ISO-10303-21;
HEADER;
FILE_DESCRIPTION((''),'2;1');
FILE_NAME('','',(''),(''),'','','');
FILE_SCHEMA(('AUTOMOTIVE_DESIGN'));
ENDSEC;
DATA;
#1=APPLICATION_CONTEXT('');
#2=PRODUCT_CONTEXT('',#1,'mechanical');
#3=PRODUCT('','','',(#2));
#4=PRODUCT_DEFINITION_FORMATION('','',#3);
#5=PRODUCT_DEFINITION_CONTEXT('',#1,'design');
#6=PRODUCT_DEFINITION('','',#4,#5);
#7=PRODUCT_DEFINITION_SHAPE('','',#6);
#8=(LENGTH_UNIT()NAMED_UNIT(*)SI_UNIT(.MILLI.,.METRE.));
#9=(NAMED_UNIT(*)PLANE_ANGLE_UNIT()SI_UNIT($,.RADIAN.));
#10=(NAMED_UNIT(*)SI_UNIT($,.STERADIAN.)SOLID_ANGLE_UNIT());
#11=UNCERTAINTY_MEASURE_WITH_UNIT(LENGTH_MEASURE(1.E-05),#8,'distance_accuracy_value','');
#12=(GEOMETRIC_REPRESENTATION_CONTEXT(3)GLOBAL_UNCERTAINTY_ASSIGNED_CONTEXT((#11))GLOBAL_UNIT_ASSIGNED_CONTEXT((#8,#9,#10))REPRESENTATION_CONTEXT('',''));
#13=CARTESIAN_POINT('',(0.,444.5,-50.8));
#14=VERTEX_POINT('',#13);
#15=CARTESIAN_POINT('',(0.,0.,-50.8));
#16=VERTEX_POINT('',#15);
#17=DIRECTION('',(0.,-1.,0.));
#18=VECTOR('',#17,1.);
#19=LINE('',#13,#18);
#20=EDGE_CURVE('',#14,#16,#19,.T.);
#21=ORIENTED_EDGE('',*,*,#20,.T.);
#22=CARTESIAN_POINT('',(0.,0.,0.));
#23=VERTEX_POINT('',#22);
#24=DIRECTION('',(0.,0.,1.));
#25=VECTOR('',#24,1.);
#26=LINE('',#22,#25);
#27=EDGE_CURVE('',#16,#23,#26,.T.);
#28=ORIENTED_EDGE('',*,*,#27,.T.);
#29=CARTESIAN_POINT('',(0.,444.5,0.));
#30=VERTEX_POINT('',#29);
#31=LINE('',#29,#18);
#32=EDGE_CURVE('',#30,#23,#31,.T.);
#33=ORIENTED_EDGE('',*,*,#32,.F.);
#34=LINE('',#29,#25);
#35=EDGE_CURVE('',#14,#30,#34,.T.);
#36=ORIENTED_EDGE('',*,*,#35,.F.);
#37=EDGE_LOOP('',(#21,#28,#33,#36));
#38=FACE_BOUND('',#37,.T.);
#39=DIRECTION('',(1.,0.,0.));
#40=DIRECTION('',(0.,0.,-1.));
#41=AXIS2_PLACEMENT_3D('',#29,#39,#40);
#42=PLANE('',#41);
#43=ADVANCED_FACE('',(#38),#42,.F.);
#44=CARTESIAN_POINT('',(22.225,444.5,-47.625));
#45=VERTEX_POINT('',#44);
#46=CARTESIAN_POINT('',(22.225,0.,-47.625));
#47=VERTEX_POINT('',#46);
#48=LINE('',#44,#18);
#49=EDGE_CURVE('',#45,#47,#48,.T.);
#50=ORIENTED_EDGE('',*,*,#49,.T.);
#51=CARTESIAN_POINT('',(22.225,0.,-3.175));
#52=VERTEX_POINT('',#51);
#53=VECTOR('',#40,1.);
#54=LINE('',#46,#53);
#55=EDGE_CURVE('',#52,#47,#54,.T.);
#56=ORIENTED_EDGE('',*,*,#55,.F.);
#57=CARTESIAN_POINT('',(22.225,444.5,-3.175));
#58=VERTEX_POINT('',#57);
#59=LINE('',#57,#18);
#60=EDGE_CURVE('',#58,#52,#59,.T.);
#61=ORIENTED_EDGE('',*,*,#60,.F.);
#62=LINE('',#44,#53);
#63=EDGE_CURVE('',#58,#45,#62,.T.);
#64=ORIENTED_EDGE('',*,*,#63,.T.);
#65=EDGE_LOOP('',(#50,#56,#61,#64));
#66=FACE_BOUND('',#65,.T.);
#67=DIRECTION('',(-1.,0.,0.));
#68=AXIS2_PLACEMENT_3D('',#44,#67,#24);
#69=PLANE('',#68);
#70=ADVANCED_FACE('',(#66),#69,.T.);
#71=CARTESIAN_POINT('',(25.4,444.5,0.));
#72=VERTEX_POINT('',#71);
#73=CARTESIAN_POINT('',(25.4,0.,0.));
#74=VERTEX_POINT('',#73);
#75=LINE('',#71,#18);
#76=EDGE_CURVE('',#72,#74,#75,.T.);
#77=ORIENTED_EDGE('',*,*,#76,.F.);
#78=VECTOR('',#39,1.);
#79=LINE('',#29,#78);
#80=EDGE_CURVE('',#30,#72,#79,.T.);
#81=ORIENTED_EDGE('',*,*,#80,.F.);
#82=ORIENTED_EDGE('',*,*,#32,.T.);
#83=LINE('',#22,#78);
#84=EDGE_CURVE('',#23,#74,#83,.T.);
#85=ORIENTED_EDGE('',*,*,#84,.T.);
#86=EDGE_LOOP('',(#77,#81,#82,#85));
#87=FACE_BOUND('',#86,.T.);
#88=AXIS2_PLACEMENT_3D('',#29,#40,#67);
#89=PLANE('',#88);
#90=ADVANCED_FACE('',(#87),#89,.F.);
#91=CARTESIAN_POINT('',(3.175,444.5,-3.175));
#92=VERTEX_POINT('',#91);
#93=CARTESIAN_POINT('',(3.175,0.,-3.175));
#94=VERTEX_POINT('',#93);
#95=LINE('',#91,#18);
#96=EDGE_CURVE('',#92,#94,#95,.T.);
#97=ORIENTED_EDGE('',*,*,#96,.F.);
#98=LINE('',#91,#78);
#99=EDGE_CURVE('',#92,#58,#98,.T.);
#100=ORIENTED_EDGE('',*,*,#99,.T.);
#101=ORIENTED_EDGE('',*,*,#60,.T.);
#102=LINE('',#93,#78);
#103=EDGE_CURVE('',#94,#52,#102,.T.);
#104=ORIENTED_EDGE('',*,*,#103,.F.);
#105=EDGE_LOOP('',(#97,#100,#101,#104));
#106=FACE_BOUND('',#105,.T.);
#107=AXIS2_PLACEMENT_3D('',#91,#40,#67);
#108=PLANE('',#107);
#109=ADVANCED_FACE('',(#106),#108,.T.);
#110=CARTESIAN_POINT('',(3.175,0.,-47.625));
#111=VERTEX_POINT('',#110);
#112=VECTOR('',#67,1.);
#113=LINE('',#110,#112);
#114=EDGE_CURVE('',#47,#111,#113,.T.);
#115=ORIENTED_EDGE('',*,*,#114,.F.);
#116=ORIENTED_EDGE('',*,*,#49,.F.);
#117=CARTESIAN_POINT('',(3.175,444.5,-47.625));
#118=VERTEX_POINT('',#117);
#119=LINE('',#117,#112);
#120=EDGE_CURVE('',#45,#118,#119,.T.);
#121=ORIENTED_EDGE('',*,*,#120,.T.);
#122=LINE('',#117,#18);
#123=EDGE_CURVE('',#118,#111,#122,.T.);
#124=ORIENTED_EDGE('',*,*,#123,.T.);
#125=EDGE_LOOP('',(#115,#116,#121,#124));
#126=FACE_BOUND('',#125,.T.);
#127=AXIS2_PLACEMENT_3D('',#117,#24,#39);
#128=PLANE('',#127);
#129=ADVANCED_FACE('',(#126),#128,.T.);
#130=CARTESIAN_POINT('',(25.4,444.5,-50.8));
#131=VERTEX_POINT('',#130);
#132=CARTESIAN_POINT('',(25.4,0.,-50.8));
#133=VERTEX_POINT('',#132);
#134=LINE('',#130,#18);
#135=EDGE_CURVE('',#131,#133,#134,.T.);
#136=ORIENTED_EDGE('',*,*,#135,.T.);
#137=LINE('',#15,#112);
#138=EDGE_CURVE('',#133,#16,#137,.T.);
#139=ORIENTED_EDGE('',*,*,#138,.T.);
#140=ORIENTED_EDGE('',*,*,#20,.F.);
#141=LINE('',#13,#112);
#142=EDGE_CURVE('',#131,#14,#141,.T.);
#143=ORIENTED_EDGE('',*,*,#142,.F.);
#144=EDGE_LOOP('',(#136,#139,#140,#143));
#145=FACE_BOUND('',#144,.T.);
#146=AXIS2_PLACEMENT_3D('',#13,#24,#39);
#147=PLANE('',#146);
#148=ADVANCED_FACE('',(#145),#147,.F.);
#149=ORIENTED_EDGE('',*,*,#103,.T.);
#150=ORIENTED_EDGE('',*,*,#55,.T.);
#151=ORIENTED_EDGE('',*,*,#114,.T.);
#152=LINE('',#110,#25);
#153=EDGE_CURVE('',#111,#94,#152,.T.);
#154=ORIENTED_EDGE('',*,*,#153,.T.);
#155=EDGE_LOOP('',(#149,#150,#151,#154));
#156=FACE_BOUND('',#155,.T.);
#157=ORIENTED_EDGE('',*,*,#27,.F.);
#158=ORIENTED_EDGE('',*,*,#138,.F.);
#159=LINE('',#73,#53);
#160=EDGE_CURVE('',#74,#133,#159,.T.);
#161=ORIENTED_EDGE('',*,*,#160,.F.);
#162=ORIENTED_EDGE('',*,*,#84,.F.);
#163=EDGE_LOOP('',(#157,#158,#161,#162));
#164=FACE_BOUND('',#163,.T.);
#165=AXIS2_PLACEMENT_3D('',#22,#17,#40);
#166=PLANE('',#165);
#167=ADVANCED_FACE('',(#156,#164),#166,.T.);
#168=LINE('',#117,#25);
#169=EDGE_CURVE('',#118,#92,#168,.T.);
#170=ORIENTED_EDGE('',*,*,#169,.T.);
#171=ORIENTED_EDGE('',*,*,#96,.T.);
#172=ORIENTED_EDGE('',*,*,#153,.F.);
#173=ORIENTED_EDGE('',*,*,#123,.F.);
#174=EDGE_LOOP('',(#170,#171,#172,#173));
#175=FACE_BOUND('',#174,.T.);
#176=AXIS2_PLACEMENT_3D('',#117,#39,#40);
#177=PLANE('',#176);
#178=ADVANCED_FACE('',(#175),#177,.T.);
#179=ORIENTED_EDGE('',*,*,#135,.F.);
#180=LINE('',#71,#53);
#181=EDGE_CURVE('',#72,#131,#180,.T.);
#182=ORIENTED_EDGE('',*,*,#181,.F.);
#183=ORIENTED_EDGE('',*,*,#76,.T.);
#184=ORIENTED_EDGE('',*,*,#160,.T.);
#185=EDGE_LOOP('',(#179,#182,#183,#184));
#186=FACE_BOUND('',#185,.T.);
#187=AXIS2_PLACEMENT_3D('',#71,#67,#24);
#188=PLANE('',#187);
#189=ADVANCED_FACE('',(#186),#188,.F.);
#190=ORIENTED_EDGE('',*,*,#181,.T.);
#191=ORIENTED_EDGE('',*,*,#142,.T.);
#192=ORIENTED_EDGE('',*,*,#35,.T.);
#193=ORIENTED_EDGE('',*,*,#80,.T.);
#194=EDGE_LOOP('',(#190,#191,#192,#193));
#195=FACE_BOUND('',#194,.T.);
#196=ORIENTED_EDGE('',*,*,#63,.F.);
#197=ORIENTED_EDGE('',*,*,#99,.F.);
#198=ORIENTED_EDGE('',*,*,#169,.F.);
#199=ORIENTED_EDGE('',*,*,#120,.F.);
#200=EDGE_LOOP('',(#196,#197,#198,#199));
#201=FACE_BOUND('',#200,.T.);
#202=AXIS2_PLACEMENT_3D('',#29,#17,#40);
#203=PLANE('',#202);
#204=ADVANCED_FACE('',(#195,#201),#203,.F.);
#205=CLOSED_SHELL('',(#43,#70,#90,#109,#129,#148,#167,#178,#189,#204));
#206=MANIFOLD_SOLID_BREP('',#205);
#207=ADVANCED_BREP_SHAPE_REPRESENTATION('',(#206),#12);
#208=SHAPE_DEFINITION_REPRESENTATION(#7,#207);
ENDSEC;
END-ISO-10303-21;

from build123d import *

# Parameters (mm, degrees)
SKETCH1_W           = 25.4
SKETCH1_H           = 50.8
SKETCH1_W_2         = 19.05
SKETCH1_H_2         = 44.45
BOSS_EXTRUDE1_DEPTH = 444.5


with BuildPart() as part:
    # Sketch1 → Boss-Extrude1 (new body)
    with BuildSketch(Plane(origin=(0, 0, 0), x_dir=(1, 0, 0), z_dir=(0, 1, 0))):
        with Locations((12.7, 25.4)):
            Rectangle(SKETCH1_W, SKETCH1_H)
        with Locations((12.7, 25.4)):
            Rectangle(SKETCH1_W_2, SKETCH1_H_2, mode=Mode.SUBTRACT)
    extrude(amount=BOSS_EXTRUDE1_DEPTH)


solid = part.part
